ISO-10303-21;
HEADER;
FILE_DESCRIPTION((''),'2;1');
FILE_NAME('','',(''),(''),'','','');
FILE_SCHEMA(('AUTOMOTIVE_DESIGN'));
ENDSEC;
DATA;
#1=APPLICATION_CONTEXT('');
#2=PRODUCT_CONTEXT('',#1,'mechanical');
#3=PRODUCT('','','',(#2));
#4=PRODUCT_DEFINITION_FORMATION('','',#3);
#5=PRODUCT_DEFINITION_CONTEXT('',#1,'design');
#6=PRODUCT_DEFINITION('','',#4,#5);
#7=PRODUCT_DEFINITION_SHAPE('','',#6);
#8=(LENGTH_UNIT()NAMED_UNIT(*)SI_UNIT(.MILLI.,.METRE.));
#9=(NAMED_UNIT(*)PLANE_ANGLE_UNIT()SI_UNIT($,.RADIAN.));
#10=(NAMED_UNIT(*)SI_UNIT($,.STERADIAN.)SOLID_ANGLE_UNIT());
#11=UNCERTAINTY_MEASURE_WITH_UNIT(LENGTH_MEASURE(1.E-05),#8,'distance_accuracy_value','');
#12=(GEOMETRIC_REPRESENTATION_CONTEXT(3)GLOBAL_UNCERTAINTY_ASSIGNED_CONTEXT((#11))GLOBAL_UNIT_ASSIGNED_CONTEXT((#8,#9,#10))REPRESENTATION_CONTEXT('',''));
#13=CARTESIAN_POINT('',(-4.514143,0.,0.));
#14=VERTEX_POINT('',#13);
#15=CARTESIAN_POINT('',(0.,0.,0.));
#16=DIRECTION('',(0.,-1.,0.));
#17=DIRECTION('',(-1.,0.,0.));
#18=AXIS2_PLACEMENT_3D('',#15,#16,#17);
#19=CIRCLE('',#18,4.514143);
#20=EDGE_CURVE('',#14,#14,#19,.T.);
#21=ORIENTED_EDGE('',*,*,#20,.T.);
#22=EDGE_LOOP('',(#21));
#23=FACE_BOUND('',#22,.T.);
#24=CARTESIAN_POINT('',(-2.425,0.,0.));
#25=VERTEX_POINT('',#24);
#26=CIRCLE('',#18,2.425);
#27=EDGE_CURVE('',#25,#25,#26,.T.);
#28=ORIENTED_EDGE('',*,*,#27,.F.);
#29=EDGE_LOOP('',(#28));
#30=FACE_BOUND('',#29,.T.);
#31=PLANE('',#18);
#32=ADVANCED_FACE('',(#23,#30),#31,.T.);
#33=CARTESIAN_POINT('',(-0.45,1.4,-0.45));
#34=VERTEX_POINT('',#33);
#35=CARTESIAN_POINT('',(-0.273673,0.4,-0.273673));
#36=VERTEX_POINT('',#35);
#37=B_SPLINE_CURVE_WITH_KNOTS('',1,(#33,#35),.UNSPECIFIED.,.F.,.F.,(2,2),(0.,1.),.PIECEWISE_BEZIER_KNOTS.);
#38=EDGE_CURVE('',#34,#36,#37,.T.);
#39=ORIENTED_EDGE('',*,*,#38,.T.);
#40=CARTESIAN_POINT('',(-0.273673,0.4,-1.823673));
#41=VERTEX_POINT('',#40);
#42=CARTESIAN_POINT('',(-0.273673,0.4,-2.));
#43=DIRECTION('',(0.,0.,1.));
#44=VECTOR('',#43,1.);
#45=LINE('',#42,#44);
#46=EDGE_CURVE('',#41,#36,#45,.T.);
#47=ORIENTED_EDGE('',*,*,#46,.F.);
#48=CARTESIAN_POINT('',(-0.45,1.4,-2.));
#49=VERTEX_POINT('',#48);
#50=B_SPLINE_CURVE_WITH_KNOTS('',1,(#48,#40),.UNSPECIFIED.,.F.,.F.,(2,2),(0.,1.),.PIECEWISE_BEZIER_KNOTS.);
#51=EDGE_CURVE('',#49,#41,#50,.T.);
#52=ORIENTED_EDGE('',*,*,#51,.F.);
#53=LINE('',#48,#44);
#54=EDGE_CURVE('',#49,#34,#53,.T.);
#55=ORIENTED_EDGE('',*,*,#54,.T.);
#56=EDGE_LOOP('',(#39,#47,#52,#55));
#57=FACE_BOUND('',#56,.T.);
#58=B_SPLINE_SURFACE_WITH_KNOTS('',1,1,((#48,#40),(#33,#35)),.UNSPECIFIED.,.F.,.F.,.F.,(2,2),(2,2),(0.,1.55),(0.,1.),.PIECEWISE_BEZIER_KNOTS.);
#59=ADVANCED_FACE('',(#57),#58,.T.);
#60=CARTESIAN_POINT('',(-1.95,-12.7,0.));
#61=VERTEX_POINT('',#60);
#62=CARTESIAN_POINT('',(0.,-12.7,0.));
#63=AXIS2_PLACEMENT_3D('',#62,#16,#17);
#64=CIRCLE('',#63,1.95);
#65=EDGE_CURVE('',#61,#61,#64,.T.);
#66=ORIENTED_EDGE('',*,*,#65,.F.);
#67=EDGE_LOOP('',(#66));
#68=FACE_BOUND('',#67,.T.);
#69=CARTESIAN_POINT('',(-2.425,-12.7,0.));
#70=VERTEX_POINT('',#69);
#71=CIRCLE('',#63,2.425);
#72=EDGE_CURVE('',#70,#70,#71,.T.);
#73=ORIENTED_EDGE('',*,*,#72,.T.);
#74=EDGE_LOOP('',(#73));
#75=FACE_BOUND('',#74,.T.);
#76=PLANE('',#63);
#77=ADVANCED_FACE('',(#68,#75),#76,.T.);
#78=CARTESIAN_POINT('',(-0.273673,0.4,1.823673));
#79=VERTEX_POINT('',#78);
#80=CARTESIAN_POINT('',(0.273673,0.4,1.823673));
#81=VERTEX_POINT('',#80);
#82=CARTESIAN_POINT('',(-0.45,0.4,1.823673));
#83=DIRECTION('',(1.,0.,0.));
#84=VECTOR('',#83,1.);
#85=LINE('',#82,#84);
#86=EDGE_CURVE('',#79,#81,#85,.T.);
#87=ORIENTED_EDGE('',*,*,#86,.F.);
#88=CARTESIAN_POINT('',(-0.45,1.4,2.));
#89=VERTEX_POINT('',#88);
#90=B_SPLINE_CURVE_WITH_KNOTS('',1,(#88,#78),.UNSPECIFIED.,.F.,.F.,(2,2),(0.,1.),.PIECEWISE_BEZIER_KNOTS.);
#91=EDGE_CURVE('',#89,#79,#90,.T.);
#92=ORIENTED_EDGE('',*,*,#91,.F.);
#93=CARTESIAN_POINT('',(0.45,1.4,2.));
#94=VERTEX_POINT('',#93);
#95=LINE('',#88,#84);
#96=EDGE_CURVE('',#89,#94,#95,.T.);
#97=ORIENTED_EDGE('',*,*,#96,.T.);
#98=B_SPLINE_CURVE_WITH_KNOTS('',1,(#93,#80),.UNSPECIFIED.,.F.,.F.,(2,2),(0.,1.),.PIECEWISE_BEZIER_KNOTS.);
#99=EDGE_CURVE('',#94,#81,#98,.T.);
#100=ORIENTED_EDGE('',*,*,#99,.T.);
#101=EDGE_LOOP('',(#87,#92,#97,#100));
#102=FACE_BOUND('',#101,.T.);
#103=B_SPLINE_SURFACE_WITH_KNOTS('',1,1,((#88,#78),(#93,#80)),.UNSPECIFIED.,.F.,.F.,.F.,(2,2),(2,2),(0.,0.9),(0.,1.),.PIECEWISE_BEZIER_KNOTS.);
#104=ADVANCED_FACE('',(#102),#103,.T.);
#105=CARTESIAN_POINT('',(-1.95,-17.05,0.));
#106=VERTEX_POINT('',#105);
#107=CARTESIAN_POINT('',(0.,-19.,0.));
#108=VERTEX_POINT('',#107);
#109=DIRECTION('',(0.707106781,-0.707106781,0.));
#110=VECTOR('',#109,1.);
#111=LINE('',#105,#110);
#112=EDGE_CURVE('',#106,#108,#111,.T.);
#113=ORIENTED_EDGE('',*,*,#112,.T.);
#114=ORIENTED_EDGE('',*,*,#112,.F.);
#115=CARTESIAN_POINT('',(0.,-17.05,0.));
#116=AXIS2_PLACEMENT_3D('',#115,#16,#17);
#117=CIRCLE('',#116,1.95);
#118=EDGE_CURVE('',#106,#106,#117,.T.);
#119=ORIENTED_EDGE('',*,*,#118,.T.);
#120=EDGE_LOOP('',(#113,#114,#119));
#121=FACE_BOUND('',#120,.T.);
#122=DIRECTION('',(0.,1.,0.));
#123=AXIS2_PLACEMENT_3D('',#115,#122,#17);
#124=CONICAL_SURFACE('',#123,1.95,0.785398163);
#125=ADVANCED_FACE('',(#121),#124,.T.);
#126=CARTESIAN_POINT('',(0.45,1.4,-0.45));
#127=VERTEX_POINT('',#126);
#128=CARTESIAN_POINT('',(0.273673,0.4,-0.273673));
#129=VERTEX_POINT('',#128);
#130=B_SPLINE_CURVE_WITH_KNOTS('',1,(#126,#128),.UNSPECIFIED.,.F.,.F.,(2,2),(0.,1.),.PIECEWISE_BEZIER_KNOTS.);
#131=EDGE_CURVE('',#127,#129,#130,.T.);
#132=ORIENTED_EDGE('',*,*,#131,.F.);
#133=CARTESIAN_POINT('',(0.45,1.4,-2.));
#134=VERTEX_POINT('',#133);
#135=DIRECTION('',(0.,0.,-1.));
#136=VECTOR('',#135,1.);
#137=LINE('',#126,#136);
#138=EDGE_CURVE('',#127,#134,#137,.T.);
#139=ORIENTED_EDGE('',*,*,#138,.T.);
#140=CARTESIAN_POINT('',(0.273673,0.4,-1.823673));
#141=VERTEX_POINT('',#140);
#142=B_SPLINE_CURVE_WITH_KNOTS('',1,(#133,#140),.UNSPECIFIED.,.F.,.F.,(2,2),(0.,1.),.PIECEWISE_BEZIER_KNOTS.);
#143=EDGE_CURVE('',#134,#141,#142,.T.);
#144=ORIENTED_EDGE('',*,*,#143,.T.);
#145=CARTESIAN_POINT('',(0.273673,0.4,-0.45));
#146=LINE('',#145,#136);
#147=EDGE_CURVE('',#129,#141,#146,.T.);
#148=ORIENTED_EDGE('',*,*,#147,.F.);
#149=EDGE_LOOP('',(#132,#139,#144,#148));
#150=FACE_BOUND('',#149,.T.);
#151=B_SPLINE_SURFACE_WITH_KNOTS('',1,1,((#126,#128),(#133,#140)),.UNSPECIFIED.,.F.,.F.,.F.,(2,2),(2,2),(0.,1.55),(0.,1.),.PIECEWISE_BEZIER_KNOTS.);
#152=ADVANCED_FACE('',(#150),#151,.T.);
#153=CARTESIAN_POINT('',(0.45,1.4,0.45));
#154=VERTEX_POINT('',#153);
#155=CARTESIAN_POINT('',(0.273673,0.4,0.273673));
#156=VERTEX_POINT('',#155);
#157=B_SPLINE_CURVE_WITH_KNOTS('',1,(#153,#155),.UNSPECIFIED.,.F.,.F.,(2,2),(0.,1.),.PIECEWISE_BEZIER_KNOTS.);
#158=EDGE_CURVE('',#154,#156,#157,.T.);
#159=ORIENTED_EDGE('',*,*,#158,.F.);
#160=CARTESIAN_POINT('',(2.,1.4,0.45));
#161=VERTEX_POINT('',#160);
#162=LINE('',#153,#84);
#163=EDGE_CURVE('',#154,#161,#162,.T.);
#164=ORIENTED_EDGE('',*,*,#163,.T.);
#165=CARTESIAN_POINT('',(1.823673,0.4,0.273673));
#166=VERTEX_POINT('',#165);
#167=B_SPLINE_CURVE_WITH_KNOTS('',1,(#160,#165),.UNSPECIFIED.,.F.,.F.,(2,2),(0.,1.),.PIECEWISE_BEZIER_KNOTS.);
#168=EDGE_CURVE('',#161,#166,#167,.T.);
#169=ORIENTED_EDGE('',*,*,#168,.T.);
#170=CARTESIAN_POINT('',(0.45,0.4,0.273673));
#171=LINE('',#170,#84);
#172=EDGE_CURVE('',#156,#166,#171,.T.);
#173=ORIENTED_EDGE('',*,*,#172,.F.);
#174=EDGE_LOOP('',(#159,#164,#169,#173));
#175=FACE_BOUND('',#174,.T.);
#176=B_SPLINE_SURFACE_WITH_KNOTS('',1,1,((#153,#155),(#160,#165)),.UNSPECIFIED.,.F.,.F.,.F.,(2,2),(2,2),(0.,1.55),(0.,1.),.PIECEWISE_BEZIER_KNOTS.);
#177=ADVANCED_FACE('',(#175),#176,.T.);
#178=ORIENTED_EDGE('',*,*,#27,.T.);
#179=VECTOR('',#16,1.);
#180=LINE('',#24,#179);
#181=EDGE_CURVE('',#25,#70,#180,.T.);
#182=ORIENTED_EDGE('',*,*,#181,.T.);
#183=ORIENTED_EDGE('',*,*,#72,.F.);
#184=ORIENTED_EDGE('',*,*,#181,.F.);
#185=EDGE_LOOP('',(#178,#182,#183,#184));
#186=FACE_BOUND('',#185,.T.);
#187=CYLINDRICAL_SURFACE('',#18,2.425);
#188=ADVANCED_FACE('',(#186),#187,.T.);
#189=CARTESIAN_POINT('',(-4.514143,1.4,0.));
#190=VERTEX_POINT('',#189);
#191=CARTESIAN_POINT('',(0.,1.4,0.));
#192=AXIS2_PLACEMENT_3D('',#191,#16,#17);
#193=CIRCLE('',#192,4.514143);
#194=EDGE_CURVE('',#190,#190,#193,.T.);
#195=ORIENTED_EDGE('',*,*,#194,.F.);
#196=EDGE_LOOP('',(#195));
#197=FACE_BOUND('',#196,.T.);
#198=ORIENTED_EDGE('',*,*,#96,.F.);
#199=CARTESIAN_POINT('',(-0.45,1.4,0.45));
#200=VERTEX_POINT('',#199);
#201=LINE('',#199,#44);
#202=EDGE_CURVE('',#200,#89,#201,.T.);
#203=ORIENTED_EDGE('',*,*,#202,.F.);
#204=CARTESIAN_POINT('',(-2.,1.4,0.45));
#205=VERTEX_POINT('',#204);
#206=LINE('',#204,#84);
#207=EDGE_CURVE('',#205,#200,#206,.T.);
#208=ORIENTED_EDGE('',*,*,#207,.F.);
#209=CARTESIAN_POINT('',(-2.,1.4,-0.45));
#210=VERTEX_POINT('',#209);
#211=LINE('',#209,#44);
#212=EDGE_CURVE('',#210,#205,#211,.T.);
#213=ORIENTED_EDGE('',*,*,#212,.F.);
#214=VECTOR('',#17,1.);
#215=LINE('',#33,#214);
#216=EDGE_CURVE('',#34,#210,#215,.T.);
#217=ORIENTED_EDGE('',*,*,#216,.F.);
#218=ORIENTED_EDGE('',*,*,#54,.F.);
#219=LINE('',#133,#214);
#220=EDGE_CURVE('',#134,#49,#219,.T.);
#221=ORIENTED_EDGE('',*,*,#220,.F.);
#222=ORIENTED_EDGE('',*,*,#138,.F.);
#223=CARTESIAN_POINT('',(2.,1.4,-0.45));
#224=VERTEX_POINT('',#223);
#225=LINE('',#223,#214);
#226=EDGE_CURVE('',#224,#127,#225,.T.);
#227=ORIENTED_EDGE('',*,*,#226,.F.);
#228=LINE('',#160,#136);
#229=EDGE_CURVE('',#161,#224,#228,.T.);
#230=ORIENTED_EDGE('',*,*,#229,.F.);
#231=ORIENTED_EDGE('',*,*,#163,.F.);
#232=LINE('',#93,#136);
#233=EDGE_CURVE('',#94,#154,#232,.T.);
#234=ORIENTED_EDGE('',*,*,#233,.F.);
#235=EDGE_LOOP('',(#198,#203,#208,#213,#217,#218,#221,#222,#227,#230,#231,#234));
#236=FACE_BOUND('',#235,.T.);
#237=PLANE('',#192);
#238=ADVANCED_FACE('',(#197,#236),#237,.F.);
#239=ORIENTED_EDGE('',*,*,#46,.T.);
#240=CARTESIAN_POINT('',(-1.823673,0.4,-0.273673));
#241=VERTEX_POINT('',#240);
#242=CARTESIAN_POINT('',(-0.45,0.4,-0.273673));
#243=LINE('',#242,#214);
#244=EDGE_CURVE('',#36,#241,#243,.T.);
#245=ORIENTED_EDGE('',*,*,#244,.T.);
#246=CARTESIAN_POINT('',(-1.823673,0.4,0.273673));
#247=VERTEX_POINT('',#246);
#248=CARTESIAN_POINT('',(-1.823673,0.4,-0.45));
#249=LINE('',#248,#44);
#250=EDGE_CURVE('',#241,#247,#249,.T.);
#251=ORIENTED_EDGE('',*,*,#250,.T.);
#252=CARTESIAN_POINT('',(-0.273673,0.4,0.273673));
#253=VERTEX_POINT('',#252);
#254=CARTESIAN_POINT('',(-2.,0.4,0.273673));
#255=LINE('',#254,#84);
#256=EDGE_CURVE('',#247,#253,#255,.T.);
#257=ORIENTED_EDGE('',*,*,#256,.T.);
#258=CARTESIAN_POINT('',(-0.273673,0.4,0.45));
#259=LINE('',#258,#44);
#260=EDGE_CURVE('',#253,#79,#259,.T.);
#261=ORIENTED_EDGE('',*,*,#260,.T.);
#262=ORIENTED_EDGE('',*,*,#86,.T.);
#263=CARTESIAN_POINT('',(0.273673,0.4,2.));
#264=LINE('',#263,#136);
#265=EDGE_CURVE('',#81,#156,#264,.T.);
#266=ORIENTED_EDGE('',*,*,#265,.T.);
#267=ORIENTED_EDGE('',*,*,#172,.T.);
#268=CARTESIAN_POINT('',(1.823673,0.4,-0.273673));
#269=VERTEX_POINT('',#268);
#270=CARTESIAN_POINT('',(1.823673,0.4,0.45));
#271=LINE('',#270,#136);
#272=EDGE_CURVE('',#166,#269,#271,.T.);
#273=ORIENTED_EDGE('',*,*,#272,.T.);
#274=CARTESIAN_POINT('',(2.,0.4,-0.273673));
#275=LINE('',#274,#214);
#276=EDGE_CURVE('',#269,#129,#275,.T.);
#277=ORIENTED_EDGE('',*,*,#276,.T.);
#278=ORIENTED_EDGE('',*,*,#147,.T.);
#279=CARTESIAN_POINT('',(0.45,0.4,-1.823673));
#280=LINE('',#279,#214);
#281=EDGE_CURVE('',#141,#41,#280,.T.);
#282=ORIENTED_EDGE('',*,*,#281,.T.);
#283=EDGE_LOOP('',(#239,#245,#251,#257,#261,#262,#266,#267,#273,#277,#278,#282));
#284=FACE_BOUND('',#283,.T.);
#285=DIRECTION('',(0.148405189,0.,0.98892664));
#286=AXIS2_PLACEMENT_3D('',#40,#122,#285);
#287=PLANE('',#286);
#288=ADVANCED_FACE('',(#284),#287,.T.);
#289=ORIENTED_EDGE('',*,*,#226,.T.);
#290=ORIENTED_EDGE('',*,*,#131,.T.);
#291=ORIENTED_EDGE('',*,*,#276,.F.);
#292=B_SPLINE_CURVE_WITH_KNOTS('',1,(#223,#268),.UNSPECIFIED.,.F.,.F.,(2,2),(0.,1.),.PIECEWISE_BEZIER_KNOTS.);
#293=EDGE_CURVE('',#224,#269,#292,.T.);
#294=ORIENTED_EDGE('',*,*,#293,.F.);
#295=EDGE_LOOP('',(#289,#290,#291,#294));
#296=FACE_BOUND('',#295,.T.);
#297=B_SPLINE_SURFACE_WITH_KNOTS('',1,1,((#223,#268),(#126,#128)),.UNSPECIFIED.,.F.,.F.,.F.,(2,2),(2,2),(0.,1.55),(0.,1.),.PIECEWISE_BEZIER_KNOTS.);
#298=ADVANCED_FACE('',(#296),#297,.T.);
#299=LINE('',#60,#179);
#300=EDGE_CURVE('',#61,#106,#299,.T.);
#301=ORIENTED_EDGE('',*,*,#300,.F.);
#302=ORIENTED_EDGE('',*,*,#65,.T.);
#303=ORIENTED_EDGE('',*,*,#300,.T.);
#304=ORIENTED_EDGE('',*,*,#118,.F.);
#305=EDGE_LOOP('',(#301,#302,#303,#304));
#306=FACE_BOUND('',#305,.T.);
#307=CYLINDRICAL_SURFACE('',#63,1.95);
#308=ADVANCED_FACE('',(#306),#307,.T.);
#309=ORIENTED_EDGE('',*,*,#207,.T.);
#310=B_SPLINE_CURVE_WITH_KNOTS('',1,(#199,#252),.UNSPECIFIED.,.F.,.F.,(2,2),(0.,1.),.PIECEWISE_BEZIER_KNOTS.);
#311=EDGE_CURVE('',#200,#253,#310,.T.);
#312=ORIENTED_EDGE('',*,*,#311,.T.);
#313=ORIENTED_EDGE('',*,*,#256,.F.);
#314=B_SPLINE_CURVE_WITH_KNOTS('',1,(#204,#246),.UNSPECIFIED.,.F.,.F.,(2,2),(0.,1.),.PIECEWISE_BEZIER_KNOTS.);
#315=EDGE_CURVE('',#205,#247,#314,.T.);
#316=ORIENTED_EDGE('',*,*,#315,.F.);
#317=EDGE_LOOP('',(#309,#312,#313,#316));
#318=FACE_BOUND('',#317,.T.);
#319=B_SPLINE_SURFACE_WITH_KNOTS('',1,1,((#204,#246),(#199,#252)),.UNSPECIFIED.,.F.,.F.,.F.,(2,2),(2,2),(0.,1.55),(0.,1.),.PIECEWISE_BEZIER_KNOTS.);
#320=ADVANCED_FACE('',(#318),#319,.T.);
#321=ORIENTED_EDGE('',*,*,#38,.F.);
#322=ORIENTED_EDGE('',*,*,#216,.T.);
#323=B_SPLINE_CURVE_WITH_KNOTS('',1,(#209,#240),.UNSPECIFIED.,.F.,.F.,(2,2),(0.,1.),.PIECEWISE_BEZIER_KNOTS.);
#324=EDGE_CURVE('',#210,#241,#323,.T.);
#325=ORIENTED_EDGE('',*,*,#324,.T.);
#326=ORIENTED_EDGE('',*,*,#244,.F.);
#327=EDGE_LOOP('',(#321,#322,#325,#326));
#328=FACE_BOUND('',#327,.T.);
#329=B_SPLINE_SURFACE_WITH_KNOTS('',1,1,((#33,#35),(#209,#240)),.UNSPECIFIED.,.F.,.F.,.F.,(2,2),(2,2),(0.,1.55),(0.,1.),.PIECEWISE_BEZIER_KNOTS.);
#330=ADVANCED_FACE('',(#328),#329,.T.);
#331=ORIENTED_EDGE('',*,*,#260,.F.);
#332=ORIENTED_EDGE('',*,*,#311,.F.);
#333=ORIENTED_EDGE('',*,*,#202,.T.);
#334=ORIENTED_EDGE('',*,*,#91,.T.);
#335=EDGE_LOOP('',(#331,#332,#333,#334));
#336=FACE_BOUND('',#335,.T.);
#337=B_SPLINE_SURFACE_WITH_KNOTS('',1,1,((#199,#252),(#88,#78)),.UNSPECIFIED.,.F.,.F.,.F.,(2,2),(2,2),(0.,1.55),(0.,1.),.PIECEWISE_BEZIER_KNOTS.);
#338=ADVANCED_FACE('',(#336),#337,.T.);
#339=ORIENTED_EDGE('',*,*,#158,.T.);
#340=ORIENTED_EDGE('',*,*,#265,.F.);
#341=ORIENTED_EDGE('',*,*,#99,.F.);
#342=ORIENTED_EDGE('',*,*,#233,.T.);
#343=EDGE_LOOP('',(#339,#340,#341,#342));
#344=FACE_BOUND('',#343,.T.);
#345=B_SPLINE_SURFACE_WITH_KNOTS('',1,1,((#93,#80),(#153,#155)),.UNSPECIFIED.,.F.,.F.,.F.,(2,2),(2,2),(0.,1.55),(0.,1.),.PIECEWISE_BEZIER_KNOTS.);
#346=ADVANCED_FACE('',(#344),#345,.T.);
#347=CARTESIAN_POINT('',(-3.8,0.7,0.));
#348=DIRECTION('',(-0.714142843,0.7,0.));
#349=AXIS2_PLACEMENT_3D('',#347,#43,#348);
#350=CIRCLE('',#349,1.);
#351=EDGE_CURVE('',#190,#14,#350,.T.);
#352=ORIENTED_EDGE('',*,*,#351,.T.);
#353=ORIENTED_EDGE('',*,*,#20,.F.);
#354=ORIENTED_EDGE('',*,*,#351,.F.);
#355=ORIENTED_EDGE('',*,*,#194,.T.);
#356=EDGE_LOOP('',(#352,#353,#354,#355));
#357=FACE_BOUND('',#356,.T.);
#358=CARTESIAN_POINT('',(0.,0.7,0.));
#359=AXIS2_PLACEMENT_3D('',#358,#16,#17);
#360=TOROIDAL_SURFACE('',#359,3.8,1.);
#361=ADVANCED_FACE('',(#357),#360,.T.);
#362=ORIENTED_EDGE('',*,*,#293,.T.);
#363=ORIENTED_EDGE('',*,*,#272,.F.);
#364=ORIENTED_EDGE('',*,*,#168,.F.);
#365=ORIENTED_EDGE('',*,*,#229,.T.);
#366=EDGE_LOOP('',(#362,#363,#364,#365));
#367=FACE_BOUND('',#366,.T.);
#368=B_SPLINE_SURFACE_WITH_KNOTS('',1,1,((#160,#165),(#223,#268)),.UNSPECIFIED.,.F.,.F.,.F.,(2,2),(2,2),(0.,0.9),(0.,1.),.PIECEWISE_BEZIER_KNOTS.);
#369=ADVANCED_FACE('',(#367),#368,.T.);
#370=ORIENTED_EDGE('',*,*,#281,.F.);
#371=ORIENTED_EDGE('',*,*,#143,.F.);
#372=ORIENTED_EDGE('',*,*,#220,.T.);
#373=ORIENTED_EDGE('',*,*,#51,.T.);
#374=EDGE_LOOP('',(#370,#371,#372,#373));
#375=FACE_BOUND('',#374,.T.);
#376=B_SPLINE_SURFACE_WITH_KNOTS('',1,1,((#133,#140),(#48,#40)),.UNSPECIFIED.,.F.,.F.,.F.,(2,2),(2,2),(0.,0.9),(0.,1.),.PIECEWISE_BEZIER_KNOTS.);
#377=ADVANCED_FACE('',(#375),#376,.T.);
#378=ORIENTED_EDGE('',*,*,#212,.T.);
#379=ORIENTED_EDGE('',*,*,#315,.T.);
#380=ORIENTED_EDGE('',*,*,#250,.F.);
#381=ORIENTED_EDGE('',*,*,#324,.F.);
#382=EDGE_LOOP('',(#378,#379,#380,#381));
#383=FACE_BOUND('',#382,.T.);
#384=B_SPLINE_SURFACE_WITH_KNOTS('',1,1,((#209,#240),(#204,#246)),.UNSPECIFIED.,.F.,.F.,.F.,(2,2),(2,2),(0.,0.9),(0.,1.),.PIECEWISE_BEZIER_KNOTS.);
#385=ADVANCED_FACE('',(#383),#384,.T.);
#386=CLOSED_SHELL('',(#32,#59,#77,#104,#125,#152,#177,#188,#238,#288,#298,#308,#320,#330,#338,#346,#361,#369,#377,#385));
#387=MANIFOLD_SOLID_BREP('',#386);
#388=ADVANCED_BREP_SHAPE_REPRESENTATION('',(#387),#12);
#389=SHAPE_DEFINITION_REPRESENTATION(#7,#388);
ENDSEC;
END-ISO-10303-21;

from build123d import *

# Parameters (mm, degrees)
CUT_EXTRUDE1_DEPTH = 1
CUT_EXTRUDE1_TAPER = 10


with BuildPart() as part:
    # Sketch2 → Revolve1 (revolve)
    with BuildSketch(Plane.XY):
        with BuildLine():
            Line((-2.425, 0), (-2.425, -12.7))
            Line((-2.425, -12.7), (-1.95, -12.7))
            Line((-1.95, -12.7), (-1.95, -17.05))
            Line((-1.95, -17.05), (0, -19))
            Line((0, -19), (0, 0))
            Line((0, 0), (0, 1.4))
            Line((0, 1.4), (-4.514142843, 1.4))
            ThreePointArc((-4.514142843, 1.4), (-4.8, 0.7), (-4.514142843, 0))
            Line((-4.514142843, 0), (-2.425, 0))
        make_face()
    revolve(axis=Axis((0, -19, 0), (0, -1, 0)))

    # Sketch3 → Cut-Extrude1 (cut)
    with BuildSketch(Plane(origin=(0, 1.4, 0), x_dir=(1, 0, 0), z_dir=(0, 1, 0))):
        Polygon((-0.45, 2), (-0.45, 0.45), (-2, 0.45), (-2, -0.45), (-0.45, -0.45), (-0.45, -2), (0.45, -2), (0.45, -0.45), (2, -0.45), (2, 0.45), (0.45, 0.45), (0.45, 2), align=None)
    extrude(amount=-CUT_EXTRUDE1_DEPTH, taper=CUT_EXTRUDE1_TAPER, mode=Mode.SUBTRACT)


solid = part.part
